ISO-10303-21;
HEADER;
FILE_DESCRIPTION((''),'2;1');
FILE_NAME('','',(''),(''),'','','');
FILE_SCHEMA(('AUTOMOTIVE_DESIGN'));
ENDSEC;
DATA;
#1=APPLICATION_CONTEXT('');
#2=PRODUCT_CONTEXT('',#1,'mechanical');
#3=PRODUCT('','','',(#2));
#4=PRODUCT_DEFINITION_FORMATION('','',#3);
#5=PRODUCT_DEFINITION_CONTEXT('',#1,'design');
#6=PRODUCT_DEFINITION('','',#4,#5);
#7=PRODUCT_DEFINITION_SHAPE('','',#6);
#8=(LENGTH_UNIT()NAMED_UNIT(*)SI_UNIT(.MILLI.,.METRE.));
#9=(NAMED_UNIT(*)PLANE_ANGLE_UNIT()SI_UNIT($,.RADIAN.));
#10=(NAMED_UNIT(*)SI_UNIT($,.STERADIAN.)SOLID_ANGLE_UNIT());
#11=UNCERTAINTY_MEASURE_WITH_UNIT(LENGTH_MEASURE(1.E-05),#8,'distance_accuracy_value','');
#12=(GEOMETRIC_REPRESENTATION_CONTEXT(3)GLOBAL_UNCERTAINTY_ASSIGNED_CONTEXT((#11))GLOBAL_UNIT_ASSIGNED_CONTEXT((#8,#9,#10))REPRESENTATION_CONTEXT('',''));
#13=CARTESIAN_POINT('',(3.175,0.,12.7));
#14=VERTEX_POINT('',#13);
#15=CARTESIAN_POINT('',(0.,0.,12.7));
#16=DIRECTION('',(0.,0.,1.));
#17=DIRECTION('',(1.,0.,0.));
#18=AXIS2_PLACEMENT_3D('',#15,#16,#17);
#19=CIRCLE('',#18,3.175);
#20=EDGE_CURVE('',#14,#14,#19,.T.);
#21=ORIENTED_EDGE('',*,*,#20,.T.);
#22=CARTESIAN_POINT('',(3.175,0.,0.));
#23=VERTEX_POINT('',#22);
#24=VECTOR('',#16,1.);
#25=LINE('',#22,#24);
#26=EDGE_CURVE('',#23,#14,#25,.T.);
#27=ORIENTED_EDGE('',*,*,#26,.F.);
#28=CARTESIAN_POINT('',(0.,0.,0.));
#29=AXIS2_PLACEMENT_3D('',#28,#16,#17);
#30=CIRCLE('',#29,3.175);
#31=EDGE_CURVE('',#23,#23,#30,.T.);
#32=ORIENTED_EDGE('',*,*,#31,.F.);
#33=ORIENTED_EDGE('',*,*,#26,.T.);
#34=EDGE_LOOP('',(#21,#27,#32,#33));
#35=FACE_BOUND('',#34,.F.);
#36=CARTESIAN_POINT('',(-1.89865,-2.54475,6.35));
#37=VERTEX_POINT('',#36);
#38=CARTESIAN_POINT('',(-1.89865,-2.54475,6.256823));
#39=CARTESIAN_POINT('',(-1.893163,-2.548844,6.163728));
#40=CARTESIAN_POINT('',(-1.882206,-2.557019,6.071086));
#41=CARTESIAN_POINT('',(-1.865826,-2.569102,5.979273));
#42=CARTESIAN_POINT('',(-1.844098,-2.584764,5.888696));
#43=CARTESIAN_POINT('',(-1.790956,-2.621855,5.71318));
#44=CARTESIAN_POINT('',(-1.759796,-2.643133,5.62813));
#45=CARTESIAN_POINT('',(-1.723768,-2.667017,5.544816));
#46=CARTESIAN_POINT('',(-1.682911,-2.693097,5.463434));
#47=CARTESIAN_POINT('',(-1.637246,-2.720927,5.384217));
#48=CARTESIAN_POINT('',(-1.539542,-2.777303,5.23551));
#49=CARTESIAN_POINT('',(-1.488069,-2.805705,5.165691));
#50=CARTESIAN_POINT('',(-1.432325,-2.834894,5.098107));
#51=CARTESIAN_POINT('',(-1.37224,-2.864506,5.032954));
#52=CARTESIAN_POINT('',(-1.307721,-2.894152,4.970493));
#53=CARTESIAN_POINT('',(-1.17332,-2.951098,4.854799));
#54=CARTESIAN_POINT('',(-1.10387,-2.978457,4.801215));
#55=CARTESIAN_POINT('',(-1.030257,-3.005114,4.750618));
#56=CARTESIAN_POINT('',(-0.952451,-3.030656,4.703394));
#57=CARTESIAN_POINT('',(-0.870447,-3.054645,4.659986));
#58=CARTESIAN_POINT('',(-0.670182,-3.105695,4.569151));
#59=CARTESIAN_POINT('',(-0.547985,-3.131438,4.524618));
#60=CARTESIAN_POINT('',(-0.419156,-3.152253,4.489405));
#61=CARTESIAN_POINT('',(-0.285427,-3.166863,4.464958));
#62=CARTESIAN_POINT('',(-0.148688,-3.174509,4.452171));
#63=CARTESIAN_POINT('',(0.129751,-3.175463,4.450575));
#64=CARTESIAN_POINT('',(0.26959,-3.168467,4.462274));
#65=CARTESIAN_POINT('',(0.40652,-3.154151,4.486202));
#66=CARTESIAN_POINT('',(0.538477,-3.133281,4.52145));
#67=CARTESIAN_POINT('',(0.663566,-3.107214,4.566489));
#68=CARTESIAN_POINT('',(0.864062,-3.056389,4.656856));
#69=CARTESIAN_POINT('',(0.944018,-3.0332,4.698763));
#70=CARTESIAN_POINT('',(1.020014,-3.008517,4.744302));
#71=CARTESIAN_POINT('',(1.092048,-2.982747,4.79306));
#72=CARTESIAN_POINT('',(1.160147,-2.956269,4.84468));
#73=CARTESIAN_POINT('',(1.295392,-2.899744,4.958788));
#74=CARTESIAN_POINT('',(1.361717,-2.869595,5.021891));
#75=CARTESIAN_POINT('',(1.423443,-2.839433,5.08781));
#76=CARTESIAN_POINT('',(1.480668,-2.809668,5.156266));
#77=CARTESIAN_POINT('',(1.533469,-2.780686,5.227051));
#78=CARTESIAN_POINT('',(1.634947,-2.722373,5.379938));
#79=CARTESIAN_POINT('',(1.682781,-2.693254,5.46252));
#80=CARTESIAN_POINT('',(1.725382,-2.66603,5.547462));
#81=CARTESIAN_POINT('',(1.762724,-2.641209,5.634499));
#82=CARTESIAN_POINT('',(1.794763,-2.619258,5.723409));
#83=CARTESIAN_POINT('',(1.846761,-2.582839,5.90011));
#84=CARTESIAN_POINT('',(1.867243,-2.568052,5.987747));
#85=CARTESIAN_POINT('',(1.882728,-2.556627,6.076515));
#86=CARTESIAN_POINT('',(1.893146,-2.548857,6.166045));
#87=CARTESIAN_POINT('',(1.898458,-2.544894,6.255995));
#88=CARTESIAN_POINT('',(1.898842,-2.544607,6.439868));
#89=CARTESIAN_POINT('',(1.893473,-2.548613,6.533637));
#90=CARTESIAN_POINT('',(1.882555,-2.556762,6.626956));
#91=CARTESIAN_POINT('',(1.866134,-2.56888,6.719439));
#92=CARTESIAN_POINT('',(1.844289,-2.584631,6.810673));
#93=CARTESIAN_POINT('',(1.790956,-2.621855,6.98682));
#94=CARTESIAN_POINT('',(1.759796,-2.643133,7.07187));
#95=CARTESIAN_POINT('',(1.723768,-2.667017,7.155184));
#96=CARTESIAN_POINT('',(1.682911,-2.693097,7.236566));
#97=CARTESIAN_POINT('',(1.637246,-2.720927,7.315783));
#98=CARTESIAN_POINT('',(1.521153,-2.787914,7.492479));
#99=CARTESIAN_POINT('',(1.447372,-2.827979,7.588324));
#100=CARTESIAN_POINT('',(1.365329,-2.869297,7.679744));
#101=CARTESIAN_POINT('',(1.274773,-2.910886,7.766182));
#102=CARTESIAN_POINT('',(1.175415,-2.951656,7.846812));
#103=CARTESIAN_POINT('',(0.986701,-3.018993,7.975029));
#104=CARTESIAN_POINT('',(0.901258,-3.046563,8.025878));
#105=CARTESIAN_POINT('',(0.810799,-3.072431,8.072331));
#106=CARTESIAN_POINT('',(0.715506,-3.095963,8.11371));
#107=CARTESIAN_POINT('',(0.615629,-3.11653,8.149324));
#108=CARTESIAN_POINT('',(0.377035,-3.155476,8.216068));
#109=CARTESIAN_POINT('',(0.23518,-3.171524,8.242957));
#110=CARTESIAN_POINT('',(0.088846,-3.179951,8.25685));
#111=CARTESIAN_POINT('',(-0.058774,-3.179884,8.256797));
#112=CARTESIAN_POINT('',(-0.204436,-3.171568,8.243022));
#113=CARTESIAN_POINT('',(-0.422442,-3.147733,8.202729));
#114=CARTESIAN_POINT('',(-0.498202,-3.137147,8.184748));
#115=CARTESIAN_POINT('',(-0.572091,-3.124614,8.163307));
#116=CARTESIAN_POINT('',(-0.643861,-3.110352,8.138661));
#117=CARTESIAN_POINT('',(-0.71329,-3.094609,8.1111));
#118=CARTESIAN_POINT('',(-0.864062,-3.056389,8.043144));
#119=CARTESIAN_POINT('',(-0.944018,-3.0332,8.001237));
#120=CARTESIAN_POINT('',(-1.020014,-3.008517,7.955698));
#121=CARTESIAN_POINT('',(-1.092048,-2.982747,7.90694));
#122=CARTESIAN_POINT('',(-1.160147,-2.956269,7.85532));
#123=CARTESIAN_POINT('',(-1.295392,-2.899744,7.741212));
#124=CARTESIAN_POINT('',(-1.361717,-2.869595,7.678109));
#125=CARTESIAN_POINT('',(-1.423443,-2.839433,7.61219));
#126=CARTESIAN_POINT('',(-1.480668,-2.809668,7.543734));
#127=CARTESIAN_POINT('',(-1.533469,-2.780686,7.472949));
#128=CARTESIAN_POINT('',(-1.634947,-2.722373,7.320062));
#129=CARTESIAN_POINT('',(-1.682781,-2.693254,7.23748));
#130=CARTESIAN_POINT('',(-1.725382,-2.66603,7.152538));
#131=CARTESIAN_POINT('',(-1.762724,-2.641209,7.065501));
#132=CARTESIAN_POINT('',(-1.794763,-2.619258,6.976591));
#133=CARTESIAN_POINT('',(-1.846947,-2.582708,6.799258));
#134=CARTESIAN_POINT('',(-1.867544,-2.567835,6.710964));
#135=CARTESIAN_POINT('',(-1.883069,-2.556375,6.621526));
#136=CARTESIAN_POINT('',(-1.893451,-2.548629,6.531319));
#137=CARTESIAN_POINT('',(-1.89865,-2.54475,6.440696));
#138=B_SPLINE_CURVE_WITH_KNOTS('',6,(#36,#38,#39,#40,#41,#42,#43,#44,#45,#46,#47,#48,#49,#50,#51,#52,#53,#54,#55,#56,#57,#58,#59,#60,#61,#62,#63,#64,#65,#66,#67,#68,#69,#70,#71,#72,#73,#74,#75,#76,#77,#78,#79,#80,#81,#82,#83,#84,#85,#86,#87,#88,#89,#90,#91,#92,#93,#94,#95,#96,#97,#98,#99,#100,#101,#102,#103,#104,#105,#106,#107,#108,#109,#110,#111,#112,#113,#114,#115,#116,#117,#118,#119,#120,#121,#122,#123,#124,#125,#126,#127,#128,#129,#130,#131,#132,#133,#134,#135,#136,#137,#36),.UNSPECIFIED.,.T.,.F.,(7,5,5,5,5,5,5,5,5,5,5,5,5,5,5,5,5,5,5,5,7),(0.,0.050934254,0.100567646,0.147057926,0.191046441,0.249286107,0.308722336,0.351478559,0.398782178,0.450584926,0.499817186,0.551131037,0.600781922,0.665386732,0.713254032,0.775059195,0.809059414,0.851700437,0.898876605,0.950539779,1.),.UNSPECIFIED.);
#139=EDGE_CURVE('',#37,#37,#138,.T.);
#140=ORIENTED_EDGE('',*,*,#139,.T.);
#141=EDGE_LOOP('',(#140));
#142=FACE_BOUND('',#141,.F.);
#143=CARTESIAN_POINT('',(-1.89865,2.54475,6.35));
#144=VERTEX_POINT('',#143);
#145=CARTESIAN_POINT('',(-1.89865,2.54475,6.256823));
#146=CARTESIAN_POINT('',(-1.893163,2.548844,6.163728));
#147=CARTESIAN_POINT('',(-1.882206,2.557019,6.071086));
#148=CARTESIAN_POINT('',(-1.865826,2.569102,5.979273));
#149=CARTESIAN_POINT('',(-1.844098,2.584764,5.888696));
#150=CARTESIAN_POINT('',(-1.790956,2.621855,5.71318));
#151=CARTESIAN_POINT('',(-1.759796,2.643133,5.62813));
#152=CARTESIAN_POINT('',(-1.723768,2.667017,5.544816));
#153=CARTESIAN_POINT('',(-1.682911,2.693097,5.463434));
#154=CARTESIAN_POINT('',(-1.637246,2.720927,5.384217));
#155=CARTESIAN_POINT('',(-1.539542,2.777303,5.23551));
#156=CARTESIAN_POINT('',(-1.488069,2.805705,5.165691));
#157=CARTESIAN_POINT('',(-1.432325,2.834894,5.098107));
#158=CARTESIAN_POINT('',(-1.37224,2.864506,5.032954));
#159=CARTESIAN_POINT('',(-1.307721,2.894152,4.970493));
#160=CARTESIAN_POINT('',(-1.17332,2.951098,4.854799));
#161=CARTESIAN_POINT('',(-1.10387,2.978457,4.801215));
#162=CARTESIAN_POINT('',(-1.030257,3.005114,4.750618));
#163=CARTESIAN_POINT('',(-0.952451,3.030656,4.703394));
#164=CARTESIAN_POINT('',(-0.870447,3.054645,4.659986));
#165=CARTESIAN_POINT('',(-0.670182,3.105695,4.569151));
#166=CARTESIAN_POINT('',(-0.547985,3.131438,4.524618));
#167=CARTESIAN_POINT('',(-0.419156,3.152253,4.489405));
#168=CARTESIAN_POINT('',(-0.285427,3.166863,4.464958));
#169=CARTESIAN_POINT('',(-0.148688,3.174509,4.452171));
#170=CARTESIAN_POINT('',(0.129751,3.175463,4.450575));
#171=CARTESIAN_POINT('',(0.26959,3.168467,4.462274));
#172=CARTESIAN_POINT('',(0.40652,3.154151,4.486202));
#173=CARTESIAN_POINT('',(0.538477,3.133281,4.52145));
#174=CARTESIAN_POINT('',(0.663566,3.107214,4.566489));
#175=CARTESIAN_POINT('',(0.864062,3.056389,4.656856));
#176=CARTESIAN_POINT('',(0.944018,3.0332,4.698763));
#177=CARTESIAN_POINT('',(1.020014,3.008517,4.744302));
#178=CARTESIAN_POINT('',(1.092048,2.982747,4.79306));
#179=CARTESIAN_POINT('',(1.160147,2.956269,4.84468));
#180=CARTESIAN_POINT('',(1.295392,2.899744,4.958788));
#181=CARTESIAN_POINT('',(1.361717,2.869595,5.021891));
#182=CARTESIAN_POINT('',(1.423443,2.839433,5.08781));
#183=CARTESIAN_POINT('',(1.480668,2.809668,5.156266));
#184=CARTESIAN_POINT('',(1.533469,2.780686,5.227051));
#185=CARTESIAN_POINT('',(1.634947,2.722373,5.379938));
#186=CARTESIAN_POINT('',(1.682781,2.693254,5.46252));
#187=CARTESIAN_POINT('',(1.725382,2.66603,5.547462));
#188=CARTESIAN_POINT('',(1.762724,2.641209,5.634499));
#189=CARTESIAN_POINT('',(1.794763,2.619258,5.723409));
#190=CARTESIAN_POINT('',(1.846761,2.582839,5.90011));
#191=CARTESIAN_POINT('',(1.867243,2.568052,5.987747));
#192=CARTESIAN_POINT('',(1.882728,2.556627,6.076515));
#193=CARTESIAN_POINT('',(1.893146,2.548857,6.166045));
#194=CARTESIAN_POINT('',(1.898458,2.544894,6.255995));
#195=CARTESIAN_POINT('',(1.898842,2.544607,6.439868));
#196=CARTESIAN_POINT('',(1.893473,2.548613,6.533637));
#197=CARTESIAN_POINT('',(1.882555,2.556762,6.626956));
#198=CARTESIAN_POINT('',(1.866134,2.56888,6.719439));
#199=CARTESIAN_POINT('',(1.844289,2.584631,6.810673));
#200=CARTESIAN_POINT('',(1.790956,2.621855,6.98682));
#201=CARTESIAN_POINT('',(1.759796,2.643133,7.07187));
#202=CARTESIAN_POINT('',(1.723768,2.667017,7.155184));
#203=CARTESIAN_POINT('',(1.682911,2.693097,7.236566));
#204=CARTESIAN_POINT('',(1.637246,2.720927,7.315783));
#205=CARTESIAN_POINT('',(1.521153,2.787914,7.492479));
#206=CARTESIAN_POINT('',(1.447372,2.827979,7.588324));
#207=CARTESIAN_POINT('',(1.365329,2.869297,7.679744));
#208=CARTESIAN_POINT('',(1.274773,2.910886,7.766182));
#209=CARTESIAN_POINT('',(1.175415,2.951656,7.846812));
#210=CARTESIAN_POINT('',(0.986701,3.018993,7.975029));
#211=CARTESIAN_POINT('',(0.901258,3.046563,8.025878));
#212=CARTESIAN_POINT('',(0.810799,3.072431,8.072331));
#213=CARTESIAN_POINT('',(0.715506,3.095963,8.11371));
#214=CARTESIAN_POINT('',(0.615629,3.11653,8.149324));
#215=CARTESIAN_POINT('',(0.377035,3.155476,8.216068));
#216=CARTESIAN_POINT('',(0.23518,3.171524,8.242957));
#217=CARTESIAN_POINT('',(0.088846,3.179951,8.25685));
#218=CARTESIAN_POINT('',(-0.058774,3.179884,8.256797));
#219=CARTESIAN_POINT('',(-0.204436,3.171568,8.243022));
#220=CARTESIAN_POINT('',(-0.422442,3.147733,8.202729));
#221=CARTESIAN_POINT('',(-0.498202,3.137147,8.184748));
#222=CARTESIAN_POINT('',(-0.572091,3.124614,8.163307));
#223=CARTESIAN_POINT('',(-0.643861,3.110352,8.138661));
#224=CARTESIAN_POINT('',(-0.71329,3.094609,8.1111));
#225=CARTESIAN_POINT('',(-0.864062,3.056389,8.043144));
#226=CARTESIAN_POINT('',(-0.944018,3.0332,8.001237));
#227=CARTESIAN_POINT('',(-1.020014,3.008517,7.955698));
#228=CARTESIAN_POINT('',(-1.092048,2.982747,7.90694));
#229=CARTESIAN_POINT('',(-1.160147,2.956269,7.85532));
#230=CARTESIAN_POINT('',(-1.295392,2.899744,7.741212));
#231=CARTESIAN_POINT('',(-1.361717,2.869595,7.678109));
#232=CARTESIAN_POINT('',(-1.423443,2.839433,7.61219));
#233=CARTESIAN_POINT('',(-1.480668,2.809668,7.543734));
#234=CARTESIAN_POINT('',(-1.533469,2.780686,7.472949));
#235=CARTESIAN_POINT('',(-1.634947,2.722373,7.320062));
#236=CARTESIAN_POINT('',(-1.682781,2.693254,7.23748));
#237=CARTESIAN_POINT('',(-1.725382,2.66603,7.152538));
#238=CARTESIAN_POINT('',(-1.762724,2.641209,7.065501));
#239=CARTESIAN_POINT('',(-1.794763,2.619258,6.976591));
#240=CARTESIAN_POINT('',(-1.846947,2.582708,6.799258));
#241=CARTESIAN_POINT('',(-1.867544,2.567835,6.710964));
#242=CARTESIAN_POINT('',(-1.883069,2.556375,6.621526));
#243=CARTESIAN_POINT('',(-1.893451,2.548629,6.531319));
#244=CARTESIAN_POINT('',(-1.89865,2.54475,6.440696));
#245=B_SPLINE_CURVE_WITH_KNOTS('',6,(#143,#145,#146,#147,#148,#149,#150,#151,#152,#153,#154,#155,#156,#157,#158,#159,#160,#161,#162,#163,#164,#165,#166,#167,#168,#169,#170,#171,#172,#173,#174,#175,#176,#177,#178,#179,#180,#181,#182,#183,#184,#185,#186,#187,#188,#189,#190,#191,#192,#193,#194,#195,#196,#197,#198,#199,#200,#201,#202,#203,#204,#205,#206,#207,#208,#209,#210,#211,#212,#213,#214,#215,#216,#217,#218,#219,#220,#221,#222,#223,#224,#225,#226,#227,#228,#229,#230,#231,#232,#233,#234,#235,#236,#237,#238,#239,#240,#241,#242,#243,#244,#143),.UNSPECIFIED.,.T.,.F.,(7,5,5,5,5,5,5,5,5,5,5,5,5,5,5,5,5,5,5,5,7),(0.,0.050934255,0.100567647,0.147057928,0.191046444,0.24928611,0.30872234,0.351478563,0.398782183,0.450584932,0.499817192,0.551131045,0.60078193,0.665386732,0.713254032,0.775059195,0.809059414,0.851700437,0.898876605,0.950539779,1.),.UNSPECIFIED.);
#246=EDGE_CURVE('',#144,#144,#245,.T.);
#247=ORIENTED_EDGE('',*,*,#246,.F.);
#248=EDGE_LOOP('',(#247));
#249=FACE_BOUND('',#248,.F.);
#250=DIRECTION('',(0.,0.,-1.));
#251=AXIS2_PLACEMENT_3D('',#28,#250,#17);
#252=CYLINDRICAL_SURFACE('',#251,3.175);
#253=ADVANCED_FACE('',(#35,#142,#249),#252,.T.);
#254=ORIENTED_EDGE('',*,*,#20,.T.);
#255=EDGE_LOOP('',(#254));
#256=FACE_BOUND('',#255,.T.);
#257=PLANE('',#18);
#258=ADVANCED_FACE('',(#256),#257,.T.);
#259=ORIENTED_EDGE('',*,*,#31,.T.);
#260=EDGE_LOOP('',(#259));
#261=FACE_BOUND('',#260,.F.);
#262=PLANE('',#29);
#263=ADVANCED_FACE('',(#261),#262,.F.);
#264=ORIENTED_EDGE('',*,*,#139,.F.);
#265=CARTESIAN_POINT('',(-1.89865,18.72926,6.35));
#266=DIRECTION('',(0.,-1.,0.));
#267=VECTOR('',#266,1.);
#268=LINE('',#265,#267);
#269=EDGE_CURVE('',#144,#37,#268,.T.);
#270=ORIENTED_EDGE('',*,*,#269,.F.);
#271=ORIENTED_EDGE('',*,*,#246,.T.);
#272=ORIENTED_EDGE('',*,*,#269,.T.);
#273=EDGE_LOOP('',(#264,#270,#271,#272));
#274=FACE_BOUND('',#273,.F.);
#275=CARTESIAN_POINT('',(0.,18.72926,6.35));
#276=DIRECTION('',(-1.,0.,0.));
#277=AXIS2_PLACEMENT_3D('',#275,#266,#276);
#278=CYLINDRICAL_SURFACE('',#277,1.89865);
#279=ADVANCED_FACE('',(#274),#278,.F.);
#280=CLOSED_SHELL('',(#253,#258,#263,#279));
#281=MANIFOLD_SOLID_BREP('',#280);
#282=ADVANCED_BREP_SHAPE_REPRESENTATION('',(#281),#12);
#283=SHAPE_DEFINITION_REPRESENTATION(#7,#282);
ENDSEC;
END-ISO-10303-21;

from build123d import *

# Parameters (mm, degrees)
SKETCH1_R              = 3.175
BOSS_EXTRUDE1_DEPTH    = 12.7
F_10_24_TAPPED_HOLE2_D = 3.7973


with BuildPart() as part:
    # Sketch1 → Boss-Extrude1 (new body)
    with BuildSketch(Plane.XY):
        Circle(SKETCH1_R)
    extrude(amount=BOSS_EXTRUDE1_DEPTH)

    # #10-24 Tapped Hole2 (through all)
    with Locations(Plane(origin=(0, 3.175, 6.35), x_dir=(1, 0, 0), z_dir=(0, 1, 0))):
        with Locations((0, 0)):
            Hole(F_10_24_TAPPED_HOLE2_D / 2)


solid = part.part
